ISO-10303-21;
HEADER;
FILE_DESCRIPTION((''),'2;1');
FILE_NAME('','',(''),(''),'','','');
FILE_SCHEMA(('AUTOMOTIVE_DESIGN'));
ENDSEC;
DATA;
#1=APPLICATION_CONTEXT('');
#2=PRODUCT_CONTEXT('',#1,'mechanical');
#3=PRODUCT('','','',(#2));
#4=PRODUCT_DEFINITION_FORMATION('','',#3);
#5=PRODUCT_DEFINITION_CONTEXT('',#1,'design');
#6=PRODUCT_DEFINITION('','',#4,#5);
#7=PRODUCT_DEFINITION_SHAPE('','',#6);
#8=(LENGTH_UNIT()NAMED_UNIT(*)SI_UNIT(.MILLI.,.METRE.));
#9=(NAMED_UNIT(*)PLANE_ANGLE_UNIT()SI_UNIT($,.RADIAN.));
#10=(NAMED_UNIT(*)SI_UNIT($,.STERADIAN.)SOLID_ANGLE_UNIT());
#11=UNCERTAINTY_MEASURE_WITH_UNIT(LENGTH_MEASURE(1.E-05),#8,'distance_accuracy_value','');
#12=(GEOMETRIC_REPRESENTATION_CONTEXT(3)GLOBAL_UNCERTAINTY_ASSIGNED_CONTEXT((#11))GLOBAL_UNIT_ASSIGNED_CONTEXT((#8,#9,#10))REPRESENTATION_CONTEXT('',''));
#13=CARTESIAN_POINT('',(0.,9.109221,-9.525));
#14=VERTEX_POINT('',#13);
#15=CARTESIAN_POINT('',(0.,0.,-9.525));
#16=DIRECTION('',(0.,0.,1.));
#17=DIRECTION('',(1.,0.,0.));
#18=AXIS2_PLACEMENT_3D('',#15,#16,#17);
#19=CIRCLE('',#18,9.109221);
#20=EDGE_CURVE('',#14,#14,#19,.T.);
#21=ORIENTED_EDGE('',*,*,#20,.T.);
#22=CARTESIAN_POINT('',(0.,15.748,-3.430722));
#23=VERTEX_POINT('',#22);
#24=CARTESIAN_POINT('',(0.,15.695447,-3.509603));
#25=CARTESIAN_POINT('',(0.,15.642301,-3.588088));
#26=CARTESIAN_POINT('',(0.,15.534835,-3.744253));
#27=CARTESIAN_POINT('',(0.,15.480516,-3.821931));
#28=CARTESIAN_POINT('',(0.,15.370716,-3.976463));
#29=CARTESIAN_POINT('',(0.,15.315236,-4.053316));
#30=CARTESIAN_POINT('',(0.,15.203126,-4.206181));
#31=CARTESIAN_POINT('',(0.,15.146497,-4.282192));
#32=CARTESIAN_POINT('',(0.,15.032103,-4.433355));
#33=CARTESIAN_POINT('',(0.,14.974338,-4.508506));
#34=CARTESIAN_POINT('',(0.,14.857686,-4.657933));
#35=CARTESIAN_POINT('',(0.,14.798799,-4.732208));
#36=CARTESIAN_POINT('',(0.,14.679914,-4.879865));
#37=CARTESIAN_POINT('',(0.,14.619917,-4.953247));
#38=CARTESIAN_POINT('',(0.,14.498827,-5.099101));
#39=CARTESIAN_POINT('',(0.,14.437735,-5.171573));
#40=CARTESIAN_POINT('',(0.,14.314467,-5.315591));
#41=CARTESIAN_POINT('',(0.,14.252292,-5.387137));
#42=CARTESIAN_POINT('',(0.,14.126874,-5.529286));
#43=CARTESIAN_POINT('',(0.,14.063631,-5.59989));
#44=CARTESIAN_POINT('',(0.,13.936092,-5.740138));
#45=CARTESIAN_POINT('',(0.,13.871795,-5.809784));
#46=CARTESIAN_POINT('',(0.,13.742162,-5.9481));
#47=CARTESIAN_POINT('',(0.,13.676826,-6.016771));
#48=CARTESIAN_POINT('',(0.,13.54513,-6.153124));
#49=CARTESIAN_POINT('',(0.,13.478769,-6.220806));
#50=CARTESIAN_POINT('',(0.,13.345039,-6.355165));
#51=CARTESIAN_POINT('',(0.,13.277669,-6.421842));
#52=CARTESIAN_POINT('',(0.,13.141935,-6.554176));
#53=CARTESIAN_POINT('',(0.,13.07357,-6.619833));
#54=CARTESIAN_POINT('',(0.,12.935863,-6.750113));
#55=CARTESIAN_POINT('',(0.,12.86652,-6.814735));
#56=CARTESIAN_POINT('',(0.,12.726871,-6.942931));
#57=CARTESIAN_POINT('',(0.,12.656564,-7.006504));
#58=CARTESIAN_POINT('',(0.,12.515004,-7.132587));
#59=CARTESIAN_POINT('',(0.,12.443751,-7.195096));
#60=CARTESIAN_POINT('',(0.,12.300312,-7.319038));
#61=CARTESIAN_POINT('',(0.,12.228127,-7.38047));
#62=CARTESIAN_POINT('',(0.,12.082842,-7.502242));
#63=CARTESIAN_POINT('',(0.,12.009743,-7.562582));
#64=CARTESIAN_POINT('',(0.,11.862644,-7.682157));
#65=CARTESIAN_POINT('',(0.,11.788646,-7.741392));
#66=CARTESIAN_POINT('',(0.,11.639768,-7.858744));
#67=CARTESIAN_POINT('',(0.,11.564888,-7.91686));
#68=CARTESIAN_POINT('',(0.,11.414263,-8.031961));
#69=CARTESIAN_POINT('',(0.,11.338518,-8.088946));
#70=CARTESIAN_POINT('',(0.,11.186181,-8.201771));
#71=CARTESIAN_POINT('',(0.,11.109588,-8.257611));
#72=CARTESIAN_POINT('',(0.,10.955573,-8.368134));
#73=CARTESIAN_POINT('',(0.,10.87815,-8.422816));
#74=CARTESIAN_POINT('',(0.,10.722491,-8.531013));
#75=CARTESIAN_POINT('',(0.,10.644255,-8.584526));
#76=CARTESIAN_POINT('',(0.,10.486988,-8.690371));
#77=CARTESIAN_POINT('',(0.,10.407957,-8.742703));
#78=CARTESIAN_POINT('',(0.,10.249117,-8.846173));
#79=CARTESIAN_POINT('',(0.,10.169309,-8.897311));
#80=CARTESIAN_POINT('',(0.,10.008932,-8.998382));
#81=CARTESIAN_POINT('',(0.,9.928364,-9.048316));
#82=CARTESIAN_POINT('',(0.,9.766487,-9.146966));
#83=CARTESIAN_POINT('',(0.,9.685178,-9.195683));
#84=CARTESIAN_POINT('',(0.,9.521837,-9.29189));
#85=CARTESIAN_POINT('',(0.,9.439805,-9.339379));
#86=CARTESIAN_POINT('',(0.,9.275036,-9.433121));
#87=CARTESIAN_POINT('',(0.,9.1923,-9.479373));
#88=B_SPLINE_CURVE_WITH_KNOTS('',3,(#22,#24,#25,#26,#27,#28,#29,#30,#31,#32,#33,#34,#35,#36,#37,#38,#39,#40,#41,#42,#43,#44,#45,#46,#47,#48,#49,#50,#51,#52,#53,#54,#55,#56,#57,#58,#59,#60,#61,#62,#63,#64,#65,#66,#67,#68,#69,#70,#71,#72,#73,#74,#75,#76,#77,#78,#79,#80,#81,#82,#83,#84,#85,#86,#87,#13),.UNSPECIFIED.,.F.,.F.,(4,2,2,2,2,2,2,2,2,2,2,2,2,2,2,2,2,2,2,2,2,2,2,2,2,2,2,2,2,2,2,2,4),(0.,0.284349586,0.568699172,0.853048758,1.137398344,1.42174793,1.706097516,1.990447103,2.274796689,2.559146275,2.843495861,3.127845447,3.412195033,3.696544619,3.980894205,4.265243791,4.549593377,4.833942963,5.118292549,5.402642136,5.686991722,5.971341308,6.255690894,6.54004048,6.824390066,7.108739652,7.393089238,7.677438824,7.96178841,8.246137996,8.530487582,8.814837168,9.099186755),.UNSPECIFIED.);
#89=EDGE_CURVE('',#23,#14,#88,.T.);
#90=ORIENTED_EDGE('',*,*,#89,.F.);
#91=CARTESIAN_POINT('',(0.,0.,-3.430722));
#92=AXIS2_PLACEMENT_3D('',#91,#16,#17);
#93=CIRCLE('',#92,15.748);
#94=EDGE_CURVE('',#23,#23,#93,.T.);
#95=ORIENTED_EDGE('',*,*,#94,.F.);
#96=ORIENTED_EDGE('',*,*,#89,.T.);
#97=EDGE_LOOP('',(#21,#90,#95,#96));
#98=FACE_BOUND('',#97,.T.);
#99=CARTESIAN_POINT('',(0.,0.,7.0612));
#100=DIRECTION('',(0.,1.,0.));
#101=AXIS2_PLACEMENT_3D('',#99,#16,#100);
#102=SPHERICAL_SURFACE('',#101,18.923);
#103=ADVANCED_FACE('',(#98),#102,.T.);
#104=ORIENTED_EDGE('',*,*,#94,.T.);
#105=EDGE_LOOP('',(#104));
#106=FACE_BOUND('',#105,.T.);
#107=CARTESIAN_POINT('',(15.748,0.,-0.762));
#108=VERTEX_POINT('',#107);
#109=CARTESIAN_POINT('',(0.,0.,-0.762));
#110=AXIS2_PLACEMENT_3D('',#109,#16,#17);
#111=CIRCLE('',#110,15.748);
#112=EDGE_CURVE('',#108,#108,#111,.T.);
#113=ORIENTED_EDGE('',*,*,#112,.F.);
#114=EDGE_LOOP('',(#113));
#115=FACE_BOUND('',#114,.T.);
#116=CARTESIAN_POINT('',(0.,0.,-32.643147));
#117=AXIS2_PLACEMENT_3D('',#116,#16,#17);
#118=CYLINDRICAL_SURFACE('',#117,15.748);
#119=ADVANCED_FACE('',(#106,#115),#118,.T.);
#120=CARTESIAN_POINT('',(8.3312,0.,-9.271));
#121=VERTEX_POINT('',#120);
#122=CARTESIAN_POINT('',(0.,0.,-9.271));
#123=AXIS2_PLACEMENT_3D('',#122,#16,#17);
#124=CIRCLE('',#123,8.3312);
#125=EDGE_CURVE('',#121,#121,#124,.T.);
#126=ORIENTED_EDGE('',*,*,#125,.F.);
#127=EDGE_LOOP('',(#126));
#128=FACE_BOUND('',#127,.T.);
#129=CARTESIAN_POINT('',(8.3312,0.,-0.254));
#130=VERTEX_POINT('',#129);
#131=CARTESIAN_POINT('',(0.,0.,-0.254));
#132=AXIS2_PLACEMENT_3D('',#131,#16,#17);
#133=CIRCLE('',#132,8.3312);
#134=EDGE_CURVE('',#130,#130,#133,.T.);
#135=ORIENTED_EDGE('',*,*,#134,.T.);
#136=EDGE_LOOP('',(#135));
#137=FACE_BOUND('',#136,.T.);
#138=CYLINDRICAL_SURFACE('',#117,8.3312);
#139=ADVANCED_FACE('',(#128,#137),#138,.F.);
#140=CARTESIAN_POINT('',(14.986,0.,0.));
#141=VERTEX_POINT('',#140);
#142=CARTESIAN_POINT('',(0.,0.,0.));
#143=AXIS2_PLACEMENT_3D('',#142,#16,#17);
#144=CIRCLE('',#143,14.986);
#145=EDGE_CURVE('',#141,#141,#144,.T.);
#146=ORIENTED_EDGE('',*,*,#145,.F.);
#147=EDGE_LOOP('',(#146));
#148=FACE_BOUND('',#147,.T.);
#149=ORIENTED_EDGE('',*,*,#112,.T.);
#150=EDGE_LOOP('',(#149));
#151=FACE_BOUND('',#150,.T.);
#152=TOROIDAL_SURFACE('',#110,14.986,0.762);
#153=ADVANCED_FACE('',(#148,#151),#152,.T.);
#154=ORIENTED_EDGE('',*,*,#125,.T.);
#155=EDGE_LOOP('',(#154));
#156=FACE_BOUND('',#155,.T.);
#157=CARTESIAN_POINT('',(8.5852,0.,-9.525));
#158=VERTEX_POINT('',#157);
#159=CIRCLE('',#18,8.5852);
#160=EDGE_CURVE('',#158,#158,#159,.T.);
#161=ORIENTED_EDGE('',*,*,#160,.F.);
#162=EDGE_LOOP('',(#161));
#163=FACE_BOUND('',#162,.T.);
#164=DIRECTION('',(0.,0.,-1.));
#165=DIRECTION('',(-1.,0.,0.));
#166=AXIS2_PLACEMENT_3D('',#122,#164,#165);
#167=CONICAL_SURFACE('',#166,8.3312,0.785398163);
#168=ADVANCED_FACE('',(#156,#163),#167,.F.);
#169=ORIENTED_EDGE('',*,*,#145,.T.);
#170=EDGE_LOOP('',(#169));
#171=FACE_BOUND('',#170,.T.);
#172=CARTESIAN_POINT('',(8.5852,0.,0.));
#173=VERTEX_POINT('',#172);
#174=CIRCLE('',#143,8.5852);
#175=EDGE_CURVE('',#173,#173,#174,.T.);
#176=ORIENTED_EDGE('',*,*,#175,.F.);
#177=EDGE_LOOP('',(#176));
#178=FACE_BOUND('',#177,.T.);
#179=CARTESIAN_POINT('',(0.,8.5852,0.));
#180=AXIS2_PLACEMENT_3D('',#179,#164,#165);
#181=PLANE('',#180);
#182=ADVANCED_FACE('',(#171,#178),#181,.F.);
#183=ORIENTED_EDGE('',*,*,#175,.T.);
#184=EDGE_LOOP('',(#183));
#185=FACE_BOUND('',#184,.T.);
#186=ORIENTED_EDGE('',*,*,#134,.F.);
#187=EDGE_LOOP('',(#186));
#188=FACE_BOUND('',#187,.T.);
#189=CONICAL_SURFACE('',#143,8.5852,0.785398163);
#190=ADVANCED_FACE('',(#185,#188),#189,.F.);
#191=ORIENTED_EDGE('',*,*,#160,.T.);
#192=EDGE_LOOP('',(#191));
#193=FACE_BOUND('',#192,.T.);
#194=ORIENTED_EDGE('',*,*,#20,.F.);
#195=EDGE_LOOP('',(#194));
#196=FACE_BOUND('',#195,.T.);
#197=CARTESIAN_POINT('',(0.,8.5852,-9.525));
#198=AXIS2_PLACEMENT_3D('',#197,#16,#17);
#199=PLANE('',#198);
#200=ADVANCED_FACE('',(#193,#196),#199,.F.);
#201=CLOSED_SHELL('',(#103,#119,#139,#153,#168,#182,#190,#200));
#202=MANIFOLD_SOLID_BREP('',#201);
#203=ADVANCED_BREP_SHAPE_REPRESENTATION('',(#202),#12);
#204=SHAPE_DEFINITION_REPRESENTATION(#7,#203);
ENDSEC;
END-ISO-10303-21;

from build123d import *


with BuildPart() as part:
    # Sketch1 → Revolve1 (revolve)
    with BuildSketch(Plane(origin=(0, 0, 0), x_dir=(0, 0, -1), z_dir=(1, 0, 0))):
        with BuildLine():
            Line((9.271, 8.3312), (9.525, 8.5852))
            Line((9.525, 8.5852), (9.525, 9.109220524))
            ThreePointArc((9.525, 9.109220524), (6.878832982, 12.796695255), (3.430721893, 15.748))
            Line((3.430721893, 15.748), (0.762, 15.748))
            ThreePointArc((0.762, 15.748), (0.223184633, 15.524815367), (0, 14.986))
            Line((0, 14.986), (0, 8.5852))
            Line((0, 8.5852), (0.254, 8.3312))
            Line((0.254, 8.3312), (9.271, 8.3312))
        make_face()
    revolve(axis=Axis((0, 0, -32.643147388), (0, 0, -1)))


solid = part.part
